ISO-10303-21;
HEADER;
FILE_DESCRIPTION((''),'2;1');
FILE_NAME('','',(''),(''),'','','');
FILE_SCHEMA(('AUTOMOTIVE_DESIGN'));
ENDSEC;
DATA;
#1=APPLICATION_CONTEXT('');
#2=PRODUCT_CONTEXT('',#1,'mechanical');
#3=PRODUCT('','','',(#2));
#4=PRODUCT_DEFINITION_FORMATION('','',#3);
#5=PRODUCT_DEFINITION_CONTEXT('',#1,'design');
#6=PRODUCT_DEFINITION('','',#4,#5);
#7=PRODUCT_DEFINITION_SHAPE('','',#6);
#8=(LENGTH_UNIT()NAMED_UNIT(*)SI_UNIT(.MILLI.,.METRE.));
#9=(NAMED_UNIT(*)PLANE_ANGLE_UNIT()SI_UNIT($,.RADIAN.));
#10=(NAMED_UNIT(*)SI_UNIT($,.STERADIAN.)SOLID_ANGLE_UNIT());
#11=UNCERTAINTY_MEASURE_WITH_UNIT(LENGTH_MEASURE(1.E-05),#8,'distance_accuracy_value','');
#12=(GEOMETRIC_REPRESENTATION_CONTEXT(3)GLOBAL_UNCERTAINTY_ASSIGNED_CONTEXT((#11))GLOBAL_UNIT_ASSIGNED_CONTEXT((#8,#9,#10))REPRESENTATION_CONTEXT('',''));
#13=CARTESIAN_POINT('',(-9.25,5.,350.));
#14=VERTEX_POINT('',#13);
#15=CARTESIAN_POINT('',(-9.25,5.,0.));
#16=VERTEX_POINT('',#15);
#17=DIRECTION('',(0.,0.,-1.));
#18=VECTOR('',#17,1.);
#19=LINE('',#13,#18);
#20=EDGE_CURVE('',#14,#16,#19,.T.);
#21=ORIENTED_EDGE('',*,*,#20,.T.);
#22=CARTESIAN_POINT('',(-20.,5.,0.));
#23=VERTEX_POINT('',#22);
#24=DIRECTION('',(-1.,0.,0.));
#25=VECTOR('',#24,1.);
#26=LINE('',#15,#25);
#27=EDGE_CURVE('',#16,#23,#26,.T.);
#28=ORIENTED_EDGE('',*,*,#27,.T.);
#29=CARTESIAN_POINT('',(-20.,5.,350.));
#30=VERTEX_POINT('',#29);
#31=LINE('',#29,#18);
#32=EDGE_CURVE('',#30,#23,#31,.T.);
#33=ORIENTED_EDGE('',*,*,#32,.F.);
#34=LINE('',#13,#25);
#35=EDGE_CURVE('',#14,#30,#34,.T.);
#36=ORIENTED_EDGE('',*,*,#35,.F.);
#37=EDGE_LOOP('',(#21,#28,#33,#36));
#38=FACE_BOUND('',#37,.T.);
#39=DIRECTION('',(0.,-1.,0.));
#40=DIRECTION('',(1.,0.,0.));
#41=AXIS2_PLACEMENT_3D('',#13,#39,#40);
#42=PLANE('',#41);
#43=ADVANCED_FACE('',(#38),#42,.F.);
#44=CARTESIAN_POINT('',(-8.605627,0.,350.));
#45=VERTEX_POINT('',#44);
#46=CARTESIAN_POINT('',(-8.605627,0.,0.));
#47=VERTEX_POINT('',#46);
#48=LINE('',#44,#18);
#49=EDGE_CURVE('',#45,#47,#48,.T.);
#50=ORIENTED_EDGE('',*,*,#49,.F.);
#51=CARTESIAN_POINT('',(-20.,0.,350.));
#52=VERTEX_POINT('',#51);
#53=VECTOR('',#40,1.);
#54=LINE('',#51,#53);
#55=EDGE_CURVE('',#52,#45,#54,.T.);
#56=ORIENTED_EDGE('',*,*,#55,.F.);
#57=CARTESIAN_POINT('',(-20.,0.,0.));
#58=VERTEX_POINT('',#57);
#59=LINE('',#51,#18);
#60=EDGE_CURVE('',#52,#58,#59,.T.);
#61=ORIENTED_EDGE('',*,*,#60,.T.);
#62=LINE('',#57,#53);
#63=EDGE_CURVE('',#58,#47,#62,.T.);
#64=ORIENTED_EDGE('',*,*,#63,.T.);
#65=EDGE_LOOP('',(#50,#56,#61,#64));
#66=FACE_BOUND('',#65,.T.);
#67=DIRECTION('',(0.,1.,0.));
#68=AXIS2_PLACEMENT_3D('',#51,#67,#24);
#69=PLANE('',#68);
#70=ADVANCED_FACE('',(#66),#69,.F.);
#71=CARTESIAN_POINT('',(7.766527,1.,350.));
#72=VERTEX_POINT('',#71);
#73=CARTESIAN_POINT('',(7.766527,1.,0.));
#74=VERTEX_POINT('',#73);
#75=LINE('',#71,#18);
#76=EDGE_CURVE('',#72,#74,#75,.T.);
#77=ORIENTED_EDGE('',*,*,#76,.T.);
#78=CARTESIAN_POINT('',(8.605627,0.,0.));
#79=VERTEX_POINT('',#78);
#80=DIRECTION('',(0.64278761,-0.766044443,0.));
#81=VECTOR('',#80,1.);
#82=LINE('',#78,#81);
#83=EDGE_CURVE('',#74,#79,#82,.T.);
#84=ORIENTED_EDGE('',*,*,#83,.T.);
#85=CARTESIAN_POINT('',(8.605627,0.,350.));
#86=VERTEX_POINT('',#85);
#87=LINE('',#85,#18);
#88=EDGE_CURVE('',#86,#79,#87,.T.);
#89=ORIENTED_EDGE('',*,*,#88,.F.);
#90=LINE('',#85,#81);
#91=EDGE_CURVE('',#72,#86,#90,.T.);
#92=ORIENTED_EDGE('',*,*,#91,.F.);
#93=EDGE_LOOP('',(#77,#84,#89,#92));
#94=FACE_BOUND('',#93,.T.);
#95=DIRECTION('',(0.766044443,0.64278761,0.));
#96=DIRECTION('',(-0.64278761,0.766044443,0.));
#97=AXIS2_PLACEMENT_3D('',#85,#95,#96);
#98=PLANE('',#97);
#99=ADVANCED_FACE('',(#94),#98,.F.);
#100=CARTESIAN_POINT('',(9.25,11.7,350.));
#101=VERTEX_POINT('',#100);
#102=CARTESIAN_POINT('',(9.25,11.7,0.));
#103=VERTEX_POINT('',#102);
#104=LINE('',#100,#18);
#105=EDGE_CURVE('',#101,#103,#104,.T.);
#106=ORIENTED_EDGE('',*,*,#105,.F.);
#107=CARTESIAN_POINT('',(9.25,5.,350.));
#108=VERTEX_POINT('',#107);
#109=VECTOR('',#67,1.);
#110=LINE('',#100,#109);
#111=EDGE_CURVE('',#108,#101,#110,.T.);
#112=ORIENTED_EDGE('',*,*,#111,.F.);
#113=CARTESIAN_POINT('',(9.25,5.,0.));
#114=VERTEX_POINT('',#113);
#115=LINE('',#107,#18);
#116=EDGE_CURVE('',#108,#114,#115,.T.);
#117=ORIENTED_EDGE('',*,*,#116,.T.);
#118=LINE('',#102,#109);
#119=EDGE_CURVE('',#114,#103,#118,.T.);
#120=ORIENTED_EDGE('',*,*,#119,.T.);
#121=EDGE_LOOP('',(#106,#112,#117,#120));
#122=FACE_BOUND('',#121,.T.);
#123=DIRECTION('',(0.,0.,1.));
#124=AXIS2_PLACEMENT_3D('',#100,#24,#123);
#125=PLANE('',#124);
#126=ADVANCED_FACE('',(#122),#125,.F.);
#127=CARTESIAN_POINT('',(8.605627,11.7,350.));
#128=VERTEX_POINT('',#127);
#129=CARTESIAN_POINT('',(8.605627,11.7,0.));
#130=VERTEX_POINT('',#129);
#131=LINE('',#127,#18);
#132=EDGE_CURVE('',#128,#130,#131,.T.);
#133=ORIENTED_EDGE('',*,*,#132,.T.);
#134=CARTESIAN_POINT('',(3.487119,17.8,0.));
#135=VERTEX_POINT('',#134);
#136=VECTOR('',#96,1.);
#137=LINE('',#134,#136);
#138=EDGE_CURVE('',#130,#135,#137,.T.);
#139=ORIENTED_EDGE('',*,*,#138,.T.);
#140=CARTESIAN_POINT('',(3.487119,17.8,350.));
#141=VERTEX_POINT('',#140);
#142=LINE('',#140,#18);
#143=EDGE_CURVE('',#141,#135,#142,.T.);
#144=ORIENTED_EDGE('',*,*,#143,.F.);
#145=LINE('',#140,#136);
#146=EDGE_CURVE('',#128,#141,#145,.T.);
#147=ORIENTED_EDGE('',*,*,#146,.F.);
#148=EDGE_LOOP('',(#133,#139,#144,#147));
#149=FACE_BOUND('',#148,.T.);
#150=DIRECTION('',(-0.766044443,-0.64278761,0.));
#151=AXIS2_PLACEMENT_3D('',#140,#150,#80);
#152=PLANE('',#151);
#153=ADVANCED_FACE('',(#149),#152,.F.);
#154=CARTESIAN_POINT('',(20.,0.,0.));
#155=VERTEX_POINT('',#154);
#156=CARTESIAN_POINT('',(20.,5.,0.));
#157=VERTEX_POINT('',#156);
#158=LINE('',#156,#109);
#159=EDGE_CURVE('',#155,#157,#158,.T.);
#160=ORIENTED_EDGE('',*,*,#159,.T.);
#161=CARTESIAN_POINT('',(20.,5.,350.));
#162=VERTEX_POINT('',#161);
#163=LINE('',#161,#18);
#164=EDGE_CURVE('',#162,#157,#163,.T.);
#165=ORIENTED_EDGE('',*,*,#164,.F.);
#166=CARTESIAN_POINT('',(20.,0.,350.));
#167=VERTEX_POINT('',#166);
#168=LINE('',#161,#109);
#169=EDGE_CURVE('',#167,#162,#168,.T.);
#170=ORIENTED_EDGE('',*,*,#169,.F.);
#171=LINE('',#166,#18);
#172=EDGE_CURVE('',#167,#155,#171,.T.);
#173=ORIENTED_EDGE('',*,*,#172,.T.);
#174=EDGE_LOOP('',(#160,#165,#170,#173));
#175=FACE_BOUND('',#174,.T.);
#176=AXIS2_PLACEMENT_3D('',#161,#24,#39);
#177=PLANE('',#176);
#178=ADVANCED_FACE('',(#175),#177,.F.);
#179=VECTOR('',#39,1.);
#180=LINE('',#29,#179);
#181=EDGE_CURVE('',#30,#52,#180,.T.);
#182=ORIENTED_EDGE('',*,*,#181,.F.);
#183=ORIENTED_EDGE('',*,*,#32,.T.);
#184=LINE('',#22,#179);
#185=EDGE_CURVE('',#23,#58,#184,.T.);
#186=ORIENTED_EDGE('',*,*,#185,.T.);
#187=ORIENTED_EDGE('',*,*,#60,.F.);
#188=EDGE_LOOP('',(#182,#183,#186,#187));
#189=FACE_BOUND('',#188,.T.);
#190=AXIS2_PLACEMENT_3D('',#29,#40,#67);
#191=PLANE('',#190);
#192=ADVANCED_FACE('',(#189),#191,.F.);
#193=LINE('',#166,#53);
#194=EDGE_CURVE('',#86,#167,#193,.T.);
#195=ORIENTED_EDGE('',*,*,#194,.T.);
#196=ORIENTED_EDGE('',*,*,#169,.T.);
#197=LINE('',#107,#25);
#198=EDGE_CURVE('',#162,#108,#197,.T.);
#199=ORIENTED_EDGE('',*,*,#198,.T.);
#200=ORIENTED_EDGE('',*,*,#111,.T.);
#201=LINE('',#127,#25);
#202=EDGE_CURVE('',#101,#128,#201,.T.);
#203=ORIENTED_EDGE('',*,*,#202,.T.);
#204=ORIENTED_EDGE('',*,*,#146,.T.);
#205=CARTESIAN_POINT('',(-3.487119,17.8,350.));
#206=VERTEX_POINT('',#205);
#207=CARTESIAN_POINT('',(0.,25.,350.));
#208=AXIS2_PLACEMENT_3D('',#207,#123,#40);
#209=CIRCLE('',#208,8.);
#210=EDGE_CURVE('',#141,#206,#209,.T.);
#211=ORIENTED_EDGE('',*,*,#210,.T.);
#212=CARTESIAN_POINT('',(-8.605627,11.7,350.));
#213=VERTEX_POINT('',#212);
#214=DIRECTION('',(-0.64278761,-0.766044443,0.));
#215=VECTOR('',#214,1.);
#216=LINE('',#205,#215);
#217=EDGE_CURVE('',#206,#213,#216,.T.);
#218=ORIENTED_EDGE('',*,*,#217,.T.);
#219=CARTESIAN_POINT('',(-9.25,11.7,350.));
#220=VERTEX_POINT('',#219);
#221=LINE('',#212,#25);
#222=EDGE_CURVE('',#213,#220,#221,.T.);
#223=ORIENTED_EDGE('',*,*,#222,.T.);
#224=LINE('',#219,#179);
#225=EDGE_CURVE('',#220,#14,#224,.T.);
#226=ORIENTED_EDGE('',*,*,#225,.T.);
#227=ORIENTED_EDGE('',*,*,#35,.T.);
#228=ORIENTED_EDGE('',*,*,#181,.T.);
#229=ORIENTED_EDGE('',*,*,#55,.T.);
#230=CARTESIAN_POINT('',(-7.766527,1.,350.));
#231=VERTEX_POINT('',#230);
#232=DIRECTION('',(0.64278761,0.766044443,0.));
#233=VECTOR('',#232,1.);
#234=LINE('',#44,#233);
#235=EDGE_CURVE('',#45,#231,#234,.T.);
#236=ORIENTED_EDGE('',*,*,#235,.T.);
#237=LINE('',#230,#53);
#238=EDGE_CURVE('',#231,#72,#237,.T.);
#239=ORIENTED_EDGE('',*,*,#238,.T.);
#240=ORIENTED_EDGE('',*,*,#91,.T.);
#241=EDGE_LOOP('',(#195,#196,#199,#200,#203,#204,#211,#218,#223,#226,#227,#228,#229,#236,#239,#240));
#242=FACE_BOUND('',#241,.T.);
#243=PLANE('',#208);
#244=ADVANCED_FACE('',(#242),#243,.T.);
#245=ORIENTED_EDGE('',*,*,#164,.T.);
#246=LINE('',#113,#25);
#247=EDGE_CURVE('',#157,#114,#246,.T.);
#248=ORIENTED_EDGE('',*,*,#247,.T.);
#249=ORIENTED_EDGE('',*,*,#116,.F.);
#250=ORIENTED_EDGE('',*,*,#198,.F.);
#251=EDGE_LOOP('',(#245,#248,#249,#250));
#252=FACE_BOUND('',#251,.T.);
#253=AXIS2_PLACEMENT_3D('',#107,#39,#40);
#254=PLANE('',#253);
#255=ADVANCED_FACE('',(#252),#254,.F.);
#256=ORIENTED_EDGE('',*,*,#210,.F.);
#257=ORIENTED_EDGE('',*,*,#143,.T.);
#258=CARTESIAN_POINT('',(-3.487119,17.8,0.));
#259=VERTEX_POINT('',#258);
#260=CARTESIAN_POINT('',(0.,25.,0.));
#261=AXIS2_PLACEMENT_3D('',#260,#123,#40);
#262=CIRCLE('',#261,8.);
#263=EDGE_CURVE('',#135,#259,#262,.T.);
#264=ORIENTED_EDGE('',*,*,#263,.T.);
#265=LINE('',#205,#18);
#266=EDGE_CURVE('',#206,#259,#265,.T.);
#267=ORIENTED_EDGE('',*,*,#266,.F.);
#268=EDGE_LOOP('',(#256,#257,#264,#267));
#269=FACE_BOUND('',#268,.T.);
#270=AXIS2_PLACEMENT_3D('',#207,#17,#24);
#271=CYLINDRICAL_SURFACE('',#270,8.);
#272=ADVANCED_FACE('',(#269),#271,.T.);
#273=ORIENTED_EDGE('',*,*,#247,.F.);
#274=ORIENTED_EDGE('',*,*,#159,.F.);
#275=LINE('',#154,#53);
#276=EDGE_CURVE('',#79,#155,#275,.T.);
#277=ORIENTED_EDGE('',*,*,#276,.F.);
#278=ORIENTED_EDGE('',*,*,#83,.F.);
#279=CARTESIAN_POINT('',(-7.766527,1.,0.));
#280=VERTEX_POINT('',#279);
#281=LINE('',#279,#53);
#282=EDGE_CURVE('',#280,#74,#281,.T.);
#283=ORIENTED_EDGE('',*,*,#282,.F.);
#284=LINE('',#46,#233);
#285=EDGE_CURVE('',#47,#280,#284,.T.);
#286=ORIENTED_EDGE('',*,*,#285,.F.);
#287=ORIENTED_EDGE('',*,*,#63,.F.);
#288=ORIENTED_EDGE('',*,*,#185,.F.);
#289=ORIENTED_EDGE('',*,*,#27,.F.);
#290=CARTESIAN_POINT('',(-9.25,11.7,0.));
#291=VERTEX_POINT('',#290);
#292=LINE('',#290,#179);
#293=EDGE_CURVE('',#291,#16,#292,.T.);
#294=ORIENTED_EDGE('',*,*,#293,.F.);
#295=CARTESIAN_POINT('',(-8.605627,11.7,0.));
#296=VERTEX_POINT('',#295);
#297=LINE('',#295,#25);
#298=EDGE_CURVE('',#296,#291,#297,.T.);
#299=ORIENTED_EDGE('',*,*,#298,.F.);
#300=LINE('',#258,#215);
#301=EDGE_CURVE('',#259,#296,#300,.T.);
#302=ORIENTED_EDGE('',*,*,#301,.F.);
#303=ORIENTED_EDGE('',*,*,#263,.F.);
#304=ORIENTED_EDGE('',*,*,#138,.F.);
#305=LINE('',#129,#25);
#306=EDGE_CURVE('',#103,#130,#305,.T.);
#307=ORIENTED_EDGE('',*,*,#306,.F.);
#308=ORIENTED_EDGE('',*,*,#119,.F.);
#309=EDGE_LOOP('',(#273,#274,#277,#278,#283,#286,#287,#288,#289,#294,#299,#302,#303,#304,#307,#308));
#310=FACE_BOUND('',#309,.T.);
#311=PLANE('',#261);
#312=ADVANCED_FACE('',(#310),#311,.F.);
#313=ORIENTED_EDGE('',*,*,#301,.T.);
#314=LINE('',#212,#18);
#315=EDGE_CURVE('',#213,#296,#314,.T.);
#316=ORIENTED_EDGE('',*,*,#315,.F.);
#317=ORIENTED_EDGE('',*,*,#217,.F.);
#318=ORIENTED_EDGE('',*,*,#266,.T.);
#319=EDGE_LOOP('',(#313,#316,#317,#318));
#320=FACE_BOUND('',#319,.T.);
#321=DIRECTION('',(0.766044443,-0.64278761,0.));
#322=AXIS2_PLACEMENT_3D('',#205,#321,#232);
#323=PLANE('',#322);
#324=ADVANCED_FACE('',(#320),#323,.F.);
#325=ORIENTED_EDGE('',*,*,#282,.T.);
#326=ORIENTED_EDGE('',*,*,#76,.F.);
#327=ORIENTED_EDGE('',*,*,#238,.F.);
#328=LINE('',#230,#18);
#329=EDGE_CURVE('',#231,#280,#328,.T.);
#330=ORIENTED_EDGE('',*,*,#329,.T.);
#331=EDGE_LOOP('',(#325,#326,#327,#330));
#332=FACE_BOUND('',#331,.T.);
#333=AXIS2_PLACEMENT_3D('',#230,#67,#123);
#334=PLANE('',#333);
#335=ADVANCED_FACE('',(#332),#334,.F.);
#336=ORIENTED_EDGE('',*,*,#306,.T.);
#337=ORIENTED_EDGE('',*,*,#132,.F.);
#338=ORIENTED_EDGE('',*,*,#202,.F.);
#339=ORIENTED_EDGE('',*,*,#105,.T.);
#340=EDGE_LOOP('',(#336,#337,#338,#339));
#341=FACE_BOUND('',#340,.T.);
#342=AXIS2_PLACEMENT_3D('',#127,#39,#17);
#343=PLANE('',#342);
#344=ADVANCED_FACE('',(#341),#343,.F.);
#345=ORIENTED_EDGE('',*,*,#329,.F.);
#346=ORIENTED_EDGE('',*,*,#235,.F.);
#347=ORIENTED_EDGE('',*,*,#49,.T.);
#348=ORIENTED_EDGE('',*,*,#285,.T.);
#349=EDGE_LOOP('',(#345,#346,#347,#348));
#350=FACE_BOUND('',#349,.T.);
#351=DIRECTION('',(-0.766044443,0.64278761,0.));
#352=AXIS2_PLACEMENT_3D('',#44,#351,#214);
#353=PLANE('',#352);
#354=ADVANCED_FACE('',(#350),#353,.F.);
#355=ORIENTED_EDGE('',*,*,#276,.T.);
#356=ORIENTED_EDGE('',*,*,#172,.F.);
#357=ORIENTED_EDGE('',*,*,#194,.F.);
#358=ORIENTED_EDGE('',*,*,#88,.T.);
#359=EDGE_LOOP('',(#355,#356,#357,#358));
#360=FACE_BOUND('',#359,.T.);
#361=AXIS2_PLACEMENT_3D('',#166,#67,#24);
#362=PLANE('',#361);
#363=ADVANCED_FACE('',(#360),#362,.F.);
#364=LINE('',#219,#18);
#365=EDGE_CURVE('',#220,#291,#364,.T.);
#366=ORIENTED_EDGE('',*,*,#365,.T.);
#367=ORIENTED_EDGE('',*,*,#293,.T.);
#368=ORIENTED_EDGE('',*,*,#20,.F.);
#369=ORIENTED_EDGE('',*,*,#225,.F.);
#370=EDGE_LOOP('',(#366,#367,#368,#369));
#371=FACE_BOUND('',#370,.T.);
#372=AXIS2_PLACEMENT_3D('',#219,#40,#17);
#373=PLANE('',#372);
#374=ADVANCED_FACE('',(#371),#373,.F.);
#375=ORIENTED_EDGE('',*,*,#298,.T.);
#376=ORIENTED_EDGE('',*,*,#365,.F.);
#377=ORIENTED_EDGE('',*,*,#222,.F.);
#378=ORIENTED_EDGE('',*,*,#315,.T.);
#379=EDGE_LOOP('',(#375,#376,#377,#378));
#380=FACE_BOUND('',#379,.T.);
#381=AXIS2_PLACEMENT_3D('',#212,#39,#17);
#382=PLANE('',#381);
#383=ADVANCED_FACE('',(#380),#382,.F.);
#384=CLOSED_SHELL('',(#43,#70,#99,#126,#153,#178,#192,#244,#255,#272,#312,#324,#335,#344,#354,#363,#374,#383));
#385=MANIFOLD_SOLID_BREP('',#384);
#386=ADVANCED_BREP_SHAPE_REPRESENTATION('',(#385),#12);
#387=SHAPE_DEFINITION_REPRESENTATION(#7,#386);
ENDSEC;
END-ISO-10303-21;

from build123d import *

# Parameters (mm, degrees)
DODANIE_WYCI_GNI_CIE1_DEPTH = 350


with BuildPart() as part:
    # Szkic1 → Dodanie-wyciągnięcie1 (new body)
    with BuildSketch(Plane.XY):
        with BuildLine():
            Line((-3.487119155, 17.8), (-8.605626905, 11.7))
            Line((-8.605626905, 11.7), (-9.25, 11.7))
            Line((-9.25, 11.7), (-9.25, 5))
            Line((-9.25, 5), (-20, 5))
            Line((-20, 5), (-20, 0))
            Line((-20, 0), (-8.605626905, 0))
            Line((-8.605626905, 0), (-7.766527274, 1))
            Line((-7.766527274, 1), (7.766527274, 1))
            Line((7.766527274, 1), (8.605626905, 0))
            Line((8.605626905, 0), (20, 0))
            Line((20, 0), (20, 5))
            Line((20, 5), (9.25, 5))
            Line((9.25, 5), (9.25, 11.7))
            Line((9.25, 11.7), (8.605626905, 11.7))
            Line((8.605626905, 11.7), (3.487119155, 17.8))
            ThreePointArc((3.487119155, 17.8), (0, 33), (-3.487119155, 17.8))
        make_face()
    extrude(amount=DODANIE_WYCI_GNI_CIE1_DEPTH)


solid = part.part
